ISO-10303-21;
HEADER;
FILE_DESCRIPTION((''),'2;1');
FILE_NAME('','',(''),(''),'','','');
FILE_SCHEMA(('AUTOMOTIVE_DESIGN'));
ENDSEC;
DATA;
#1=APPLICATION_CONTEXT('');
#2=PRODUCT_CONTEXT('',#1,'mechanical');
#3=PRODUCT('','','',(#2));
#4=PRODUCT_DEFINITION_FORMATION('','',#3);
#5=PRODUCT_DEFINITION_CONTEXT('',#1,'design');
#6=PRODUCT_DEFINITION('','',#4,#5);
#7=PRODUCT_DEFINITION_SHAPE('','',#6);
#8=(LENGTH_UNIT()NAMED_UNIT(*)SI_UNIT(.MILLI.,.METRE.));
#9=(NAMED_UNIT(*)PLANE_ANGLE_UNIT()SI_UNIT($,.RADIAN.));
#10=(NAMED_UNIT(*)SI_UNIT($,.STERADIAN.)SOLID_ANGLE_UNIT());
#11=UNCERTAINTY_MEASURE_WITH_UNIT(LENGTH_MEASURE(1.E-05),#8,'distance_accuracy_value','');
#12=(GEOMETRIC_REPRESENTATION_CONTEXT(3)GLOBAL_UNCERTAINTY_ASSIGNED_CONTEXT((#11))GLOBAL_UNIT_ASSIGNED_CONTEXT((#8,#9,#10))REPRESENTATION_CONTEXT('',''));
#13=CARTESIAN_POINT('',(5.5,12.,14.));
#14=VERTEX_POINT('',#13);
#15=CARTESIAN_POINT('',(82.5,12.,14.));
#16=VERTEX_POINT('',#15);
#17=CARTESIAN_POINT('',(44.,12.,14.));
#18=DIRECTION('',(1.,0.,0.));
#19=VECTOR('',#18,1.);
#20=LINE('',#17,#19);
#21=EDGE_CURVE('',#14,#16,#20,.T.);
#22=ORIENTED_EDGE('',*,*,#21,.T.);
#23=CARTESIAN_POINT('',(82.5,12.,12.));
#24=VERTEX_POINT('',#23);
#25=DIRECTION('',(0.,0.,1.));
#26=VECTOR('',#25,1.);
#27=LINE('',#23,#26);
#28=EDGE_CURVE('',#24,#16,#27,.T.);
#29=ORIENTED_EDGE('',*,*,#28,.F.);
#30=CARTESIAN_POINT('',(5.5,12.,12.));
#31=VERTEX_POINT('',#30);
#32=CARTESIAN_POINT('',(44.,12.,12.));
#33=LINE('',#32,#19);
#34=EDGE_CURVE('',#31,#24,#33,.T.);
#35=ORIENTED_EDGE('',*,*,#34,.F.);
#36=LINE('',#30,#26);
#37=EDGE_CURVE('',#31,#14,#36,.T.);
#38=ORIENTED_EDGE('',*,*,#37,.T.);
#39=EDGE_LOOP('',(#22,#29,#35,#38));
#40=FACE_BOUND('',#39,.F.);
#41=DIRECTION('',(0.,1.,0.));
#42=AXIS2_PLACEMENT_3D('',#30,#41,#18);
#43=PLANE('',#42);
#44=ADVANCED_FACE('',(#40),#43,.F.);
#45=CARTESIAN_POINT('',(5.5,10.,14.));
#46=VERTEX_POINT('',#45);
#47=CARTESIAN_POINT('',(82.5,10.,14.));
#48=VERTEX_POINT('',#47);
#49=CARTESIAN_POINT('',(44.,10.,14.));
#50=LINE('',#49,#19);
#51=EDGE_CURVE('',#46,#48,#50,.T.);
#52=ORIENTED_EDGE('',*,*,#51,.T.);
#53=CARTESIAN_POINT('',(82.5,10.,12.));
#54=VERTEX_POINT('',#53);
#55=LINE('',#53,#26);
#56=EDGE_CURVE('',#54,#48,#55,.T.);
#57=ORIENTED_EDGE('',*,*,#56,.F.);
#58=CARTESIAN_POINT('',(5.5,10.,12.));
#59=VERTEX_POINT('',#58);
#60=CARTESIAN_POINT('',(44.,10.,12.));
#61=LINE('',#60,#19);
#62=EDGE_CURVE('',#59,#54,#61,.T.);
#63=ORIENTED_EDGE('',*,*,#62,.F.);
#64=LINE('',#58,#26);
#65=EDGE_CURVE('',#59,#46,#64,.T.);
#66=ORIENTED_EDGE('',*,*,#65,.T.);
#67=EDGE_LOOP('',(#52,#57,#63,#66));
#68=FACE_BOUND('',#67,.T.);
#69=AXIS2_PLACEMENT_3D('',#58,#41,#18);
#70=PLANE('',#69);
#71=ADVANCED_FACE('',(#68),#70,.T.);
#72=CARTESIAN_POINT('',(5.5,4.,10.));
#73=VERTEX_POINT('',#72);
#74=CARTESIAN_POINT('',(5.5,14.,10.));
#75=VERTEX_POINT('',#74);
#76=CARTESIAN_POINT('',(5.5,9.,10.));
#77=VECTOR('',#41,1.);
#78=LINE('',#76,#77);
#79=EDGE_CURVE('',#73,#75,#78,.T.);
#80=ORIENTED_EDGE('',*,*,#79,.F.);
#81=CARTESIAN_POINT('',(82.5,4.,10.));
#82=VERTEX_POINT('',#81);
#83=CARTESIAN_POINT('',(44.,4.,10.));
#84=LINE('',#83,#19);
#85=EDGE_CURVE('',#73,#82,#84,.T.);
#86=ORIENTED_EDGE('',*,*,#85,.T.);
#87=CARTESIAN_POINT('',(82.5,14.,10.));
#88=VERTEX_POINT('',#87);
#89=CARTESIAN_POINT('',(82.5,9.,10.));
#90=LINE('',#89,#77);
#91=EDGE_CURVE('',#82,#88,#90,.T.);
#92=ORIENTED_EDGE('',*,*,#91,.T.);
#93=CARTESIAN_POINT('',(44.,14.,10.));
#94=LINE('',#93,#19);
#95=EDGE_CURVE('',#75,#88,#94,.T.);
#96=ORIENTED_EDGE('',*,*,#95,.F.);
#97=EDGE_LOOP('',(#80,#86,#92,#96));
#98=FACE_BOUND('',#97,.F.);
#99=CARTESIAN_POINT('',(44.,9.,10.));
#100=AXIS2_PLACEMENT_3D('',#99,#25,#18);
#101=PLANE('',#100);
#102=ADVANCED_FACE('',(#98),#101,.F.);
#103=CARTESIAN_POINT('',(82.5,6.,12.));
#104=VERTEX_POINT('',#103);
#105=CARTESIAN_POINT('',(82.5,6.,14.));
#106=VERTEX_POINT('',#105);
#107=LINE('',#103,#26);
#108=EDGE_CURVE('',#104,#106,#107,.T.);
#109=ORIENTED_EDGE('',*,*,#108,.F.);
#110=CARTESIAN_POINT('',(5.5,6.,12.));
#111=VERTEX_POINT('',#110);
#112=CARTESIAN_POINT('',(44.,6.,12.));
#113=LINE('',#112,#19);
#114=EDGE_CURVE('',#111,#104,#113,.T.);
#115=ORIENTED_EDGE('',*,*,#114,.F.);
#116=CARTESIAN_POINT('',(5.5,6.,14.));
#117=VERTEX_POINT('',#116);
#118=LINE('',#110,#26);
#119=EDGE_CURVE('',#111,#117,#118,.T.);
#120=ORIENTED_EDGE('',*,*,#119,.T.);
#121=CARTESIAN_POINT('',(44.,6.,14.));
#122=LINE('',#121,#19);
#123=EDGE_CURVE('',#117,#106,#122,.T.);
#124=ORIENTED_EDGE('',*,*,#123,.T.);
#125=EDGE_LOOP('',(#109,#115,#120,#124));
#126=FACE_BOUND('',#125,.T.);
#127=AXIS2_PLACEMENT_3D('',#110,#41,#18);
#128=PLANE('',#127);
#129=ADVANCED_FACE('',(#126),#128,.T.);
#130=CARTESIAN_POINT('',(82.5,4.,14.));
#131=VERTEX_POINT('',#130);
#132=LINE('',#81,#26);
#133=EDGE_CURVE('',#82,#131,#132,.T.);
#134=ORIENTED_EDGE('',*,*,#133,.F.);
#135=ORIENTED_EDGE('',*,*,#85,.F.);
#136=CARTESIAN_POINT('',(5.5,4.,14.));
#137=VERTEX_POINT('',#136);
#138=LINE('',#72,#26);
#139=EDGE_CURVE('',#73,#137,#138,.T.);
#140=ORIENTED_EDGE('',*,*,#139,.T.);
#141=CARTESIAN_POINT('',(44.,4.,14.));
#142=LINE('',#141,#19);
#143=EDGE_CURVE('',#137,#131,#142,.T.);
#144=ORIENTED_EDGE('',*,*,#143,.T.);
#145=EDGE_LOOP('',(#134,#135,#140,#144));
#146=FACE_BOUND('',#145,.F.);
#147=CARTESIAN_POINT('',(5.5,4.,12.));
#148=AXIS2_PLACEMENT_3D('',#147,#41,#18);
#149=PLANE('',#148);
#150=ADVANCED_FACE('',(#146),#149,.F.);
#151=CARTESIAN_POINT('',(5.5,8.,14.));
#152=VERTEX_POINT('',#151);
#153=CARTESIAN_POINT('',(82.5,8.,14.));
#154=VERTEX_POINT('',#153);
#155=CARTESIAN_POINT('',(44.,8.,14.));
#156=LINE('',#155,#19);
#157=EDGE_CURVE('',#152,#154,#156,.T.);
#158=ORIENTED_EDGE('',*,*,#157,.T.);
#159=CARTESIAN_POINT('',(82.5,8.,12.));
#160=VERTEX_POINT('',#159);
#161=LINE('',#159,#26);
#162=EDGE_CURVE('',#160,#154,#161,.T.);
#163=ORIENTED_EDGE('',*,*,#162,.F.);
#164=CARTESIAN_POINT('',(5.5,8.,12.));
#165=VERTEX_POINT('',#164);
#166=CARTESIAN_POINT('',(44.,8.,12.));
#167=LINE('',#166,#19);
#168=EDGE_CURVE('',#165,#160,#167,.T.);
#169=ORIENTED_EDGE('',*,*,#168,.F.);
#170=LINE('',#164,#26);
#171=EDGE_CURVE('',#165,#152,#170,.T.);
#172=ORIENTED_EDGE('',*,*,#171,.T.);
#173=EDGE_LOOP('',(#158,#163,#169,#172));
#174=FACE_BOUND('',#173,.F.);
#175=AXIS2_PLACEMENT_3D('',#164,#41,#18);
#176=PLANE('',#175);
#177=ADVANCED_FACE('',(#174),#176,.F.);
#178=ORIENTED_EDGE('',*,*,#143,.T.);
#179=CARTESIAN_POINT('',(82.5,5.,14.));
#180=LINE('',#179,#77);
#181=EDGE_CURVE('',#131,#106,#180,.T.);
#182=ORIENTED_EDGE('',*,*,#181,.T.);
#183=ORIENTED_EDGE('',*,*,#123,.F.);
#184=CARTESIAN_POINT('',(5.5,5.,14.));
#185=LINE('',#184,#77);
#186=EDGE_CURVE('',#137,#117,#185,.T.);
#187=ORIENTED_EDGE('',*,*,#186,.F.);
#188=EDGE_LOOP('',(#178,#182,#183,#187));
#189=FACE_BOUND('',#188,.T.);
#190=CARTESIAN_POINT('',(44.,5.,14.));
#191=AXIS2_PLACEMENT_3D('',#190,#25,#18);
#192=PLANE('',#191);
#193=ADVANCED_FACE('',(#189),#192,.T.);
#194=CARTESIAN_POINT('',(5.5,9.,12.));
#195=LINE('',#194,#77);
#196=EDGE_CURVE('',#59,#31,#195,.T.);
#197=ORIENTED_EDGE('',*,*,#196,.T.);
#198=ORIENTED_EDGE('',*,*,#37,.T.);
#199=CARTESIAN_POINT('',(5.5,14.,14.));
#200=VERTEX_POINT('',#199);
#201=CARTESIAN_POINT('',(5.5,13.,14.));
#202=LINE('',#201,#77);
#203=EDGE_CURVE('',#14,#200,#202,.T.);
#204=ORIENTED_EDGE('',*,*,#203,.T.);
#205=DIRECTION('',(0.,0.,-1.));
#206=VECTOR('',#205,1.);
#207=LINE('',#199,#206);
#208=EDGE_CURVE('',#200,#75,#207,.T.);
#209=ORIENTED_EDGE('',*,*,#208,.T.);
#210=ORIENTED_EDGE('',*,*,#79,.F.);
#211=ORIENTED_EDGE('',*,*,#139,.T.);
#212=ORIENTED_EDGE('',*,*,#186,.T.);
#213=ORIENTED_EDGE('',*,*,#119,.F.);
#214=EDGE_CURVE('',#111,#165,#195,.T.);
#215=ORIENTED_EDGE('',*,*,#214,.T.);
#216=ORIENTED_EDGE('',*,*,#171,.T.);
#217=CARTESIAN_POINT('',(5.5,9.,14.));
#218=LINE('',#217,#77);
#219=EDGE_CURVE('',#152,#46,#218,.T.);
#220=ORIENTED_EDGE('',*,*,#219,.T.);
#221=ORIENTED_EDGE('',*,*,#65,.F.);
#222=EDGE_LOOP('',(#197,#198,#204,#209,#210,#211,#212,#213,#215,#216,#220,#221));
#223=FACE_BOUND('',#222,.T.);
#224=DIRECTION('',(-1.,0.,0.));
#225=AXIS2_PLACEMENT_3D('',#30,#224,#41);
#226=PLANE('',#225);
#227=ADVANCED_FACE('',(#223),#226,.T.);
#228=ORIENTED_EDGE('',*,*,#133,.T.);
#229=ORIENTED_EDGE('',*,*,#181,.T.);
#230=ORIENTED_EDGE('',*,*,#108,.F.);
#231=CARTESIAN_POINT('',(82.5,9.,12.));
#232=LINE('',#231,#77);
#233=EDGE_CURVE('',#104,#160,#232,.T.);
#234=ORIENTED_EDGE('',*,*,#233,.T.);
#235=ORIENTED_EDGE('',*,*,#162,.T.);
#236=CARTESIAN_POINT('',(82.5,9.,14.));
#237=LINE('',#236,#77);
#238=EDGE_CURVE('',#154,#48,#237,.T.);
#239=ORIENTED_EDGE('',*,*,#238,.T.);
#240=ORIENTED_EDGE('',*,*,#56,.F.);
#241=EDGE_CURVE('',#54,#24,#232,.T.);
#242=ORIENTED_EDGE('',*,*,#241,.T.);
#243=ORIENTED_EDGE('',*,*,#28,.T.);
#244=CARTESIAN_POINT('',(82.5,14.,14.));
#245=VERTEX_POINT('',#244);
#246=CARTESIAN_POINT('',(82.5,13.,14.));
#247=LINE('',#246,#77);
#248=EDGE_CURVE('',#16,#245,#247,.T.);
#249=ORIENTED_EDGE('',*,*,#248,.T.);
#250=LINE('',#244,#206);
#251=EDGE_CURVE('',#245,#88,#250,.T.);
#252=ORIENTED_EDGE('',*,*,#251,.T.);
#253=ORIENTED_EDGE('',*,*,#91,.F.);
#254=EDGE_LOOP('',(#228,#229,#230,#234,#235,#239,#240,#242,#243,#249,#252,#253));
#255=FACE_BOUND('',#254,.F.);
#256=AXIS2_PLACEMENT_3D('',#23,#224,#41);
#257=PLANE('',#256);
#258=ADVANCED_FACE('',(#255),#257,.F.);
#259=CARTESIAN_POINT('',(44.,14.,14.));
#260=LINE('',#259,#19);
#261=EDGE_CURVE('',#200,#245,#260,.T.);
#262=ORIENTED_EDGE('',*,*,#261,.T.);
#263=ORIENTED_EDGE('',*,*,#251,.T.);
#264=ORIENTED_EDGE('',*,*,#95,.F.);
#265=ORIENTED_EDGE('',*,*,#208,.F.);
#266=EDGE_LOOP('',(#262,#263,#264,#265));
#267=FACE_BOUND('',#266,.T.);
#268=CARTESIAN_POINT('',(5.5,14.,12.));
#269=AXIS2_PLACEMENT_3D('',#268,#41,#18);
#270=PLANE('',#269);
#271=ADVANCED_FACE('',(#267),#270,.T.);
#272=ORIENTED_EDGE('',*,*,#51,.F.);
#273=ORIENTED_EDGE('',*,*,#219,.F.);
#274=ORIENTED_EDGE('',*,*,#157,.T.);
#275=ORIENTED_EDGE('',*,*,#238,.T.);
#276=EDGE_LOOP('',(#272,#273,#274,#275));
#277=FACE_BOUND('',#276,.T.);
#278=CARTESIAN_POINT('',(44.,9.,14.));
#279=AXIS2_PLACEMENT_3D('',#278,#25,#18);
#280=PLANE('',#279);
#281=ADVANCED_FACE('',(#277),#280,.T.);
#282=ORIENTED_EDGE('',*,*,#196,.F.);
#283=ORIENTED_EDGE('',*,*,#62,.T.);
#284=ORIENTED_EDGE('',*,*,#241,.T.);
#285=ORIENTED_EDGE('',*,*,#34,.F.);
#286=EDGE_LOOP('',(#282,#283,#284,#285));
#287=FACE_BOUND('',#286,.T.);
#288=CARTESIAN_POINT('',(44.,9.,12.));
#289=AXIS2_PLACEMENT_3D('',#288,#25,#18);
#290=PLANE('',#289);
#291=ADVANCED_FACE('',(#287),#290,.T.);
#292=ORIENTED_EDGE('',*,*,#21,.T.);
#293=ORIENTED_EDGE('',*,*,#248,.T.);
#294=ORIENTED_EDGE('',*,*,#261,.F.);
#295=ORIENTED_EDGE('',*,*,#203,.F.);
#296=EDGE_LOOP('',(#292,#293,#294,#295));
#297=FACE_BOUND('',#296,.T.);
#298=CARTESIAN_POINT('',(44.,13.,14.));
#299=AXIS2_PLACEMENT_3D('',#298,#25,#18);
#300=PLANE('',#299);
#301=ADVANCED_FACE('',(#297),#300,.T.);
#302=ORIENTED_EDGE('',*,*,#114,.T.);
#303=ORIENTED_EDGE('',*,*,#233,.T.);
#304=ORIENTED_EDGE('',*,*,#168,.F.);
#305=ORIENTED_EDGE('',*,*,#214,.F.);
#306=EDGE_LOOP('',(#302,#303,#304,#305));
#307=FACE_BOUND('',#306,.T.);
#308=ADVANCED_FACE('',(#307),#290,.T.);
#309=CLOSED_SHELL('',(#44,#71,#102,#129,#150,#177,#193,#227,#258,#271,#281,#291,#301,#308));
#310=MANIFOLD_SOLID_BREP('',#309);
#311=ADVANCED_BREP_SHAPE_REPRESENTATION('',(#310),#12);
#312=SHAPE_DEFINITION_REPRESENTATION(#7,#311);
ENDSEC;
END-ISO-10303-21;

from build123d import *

# Parameters (mm, degrees)
BOX010_W     = 77
BOX010_H     = 2
BOX010_DEPTH = 2
BOX011_W     = 77
BOX011_H     = 2
BOX011_DEPTH = 2
BOX009_W     = 77
BOX009_H     = 2
BOX009_DEPTH = 2
BOX008_W     = 77
BOX008_H     = 10
BOX008_DEPTH = 2


with BuildPart() as cube010:
    # Box010 → Box010 (new body)
    with BuildSketch(Plane(origin=(5.5, 104, 12), x_dir=(1, 0, 0), z_dir=(0, 0, 1))):
        with Locations((38.5, 1)):
            Rectangle(BOX010_W, BOX010_H)
    extrude(amount=BOX010_DEPTH)


with BuildPart() as cube011:
    # Box011 → Box011 (new body)
    with BuildSketch(Plane(origin=(5.5, 108, 12), x_dir=(1, 0, 0), z_dir=(0, 0, 1))):
        with Locations((38.5, 1)):
            Rectangle(BOX011_W, BOX011_H)
    extrude(amount=BOX011_DEPTH)


with BuildPart() as cube009:
    # Box009 → Box009 (new body)
    with BuildSketch(Plane(origin=(5.5, 112, 12), x_dir=(1, 0, 0), z_dir=(0, 0, 1))):
        with Locations((38.5, 1)):
            Rectangle(BOX009_W, BOX009_H)
    extrude(amount=BOX009_DEPTH)


with BuildPart() as fusion:
    # Box008 → Box008 (new body)
    with BuildSketch(Plane(origin=(5.5, 104, 10), x_dir=(1, 0, 0), z_dir=(0, 0, 1))):
        with Locations((38.5, 5)):
            Rectangle(BOX008_W, BOX008_H)
    extrude(amount=BOX008_DEPTH)

    # Fusion: union Cube010, Cube011, Cube009
    add(cube010.part)
    add(cube011.part)
    add(cube009.part)


with BuildPart() as fusion_1:
    # Fusion placement: moved
    add(fusion.part.moved(Location((0, -100, 0))))


solid = fusion_1.part
